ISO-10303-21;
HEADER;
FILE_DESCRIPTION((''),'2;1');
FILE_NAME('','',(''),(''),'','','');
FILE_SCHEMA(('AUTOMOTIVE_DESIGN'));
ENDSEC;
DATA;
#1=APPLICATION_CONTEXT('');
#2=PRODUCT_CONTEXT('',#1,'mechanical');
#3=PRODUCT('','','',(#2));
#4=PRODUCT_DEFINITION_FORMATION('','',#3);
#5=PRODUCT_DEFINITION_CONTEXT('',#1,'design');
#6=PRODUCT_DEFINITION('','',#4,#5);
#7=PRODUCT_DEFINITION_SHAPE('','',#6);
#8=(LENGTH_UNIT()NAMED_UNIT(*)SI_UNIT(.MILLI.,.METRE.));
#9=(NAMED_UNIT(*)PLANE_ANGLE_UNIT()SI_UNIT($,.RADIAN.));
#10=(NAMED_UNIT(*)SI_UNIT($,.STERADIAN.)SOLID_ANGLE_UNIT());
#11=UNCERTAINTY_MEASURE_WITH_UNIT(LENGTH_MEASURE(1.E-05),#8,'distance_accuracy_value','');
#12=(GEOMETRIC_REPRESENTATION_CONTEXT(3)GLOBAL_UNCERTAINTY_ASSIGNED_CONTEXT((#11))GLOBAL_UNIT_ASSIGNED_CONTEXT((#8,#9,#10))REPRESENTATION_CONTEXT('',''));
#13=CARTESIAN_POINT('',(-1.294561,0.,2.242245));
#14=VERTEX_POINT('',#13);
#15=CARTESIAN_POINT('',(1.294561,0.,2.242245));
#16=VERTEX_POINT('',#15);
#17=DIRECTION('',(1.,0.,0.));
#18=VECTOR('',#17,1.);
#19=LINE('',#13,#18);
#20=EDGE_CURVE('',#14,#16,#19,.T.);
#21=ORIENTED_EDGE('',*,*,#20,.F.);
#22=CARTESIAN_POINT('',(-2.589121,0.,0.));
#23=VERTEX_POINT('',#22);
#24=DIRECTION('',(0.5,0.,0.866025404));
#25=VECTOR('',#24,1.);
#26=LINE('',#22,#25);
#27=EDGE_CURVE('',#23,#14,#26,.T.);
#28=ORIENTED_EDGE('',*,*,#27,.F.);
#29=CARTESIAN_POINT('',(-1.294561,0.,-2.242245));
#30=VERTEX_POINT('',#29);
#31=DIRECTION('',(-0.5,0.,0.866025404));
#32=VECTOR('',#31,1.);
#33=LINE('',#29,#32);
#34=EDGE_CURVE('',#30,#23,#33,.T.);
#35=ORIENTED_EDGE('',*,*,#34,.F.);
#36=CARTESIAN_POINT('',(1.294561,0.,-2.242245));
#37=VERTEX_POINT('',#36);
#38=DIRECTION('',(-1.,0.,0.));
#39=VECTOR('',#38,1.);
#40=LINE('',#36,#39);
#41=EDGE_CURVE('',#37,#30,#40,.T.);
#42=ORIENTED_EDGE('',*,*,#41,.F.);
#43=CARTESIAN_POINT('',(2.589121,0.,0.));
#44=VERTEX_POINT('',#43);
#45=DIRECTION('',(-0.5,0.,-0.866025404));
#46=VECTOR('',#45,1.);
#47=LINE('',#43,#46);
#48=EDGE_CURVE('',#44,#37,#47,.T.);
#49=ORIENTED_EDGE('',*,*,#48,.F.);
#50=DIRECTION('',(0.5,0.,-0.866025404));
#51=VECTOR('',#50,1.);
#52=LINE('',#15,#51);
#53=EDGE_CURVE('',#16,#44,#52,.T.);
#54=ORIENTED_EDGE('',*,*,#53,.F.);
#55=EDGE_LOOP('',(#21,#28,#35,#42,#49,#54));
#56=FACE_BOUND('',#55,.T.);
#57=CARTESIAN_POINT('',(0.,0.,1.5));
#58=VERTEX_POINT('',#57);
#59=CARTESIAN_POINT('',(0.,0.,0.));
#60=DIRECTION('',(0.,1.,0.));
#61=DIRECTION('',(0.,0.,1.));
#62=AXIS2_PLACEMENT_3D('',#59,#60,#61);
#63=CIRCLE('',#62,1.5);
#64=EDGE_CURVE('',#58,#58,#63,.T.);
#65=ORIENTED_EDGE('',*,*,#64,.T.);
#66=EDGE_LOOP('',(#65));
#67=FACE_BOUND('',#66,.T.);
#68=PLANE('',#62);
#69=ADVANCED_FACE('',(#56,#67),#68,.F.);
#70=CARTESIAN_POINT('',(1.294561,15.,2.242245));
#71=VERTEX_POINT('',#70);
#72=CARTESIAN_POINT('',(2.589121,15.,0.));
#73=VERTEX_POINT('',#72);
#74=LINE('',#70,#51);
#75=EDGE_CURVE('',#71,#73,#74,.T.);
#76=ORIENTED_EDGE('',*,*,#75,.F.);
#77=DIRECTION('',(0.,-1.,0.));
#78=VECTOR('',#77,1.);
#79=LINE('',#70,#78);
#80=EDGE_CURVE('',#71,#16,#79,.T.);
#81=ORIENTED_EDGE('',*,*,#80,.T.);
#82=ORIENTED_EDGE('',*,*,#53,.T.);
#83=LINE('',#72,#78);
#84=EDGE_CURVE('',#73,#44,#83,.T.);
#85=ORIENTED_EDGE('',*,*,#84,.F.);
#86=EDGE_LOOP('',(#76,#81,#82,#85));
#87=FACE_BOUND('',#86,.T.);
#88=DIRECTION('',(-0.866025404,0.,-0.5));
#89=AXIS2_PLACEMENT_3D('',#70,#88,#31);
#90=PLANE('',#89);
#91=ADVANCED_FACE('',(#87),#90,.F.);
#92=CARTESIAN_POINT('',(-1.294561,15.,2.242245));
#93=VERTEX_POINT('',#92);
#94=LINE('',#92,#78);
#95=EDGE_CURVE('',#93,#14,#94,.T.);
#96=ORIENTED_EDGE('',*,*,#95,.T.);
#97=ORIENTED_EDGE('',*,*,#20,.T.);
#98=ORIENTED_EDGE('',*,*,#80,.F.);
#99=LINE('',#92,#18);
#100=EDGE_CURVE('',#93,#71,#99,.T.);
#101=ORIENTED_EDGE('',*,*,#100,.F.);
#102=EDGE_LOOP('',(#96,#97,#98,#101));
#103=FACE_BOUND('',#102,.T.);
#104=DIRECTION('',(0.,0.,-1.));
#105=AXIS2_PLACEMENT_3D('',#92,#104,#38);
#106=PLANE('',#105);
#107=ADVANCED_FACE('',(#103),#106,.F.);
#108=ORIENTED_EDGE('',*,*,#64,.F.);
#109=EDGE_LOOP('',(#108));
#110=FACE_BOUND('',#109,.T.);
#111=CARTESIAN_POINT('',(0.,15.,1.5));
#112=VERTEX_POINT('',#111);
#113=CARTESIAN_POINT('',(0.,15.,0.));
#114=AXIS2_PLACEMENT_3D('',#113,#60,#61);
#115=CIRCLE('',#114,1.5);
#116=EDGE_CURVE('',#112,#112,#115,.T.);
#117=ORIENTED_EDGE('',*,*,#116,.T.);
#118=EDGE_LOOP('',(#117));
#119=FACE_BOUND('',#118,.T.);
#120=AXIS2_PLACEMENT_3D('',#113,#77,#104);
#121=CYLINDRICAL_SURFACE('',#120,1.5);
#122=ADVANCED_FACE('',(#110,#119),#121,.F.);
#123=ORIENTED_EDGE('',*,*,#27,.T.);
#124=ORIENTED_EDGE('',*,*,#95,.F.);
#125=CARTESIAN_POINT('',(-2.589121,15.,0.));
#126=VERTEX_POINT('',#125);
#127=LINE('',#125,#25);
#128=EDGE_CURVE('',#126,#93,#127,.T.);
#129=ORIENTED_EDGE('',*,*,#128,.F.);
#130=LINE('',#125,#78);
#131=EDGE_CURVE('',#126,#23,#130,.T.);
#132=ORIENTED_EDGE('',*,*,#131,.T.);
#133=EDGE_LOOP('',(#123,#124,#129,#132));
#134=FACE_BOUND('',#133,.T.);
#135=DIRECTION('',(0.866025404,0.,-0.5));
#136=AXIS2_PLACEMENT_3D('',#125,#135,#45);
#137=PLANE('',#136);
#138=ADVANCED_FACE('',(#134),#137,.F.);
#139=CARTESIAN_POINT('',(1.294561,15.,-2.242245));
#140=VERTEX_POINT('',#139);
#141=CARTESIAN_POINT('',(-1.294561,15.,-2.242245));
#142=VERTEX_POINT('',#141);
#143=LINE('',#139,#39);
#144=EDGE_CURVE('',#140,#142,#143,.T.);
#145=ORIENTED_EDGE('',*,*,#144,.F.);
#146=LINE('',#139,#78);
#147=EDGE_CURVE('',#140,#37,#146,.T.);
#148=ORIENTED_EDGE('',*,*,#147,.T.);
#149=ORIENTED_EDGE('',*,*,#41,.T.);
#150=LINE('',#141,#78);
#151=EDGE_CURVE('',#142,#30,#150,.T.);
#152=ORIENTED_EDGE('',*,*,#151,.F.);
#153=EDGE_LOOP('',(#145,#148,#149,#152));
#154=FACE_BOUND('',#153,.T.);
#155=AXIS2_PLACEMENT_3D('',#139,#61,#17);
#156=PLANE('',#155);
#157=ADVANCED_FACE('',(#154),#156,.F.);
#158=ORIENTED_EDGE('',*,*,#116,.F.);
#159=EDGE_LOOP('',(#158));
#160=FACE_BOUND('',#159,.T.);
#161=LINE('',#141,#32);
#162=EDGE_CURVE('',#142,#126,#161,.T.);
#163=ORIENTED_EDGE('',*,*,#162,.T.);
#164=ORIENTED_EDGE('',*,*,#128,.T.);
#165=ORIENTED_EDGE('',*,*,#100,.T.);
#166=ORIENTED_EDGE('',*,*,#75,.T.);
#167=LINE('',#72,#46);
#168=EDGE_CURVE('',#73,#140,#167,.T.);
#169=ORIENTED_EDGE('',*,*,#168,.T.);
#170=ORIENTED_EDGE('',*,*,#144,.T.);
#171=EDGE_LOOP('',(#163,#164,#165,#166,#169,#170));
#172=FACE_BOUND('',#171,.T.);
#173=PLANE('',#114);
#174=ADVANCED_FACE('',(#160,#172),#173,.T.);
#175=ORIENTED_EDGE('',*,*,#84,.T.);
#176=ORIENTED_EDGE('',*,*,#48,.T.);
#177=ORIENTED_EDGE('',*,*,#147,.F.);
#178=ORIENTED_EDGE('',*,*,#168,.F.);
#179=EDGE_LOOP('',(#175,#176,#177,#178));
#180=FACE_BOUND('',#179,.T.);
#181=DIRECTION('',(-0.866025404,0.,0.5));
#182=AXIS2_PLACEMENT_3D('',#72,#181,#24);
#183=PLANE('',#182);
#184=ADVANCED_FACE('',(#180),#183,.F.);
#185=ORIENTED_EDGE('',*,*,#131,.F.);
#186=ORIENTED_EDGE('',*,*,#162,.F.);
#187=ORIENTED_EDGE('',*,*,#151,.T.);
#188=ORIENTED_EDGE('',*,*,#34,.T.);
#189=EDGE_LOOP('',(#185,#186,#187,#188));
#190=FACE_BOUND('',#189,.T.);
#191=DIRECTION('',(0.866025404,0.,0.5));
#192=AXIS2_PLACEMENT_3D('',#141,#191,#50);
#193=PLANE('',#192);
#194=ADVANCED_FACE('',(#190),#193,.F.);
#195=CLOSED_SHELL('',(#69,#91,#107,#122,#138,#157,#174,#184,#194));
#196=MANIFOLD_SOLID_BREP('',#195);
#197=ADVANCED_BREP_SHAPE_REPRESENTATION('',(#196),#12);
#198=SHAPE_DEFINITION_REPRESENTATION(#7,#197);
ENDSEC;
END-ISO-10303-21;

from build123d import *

# Parameters (mm, degrees)
SKETCH1_R           = 1.5
BOSS_EXTRUDE1_DEPTH = 15


with BuildPart() as part:
    # Sketch1 → Boss-Extrude1 (new body)
    with BuildSketch(Plane(origin=(0, 0, 0), x_dir=(1, 0, 0), z_dir=(0, 1, 0))):
        Polygon((-1.294560663, 2.242244841), (-2.589121325, 0), (-1.294560663, -2.242244841), (1.294560663, -2.242244841), (2.589121325, 0), (1.294560663, 2.242244841), align=None)
        with Locations(Location((0, 0, 0), (0, 0, 270))):
            Circle(SKETCH1_R, mode=Mode.SUBTRACT)
    extrude(amount=BOSS_EXTRUDE1_DEPTH)


solid = part.part
